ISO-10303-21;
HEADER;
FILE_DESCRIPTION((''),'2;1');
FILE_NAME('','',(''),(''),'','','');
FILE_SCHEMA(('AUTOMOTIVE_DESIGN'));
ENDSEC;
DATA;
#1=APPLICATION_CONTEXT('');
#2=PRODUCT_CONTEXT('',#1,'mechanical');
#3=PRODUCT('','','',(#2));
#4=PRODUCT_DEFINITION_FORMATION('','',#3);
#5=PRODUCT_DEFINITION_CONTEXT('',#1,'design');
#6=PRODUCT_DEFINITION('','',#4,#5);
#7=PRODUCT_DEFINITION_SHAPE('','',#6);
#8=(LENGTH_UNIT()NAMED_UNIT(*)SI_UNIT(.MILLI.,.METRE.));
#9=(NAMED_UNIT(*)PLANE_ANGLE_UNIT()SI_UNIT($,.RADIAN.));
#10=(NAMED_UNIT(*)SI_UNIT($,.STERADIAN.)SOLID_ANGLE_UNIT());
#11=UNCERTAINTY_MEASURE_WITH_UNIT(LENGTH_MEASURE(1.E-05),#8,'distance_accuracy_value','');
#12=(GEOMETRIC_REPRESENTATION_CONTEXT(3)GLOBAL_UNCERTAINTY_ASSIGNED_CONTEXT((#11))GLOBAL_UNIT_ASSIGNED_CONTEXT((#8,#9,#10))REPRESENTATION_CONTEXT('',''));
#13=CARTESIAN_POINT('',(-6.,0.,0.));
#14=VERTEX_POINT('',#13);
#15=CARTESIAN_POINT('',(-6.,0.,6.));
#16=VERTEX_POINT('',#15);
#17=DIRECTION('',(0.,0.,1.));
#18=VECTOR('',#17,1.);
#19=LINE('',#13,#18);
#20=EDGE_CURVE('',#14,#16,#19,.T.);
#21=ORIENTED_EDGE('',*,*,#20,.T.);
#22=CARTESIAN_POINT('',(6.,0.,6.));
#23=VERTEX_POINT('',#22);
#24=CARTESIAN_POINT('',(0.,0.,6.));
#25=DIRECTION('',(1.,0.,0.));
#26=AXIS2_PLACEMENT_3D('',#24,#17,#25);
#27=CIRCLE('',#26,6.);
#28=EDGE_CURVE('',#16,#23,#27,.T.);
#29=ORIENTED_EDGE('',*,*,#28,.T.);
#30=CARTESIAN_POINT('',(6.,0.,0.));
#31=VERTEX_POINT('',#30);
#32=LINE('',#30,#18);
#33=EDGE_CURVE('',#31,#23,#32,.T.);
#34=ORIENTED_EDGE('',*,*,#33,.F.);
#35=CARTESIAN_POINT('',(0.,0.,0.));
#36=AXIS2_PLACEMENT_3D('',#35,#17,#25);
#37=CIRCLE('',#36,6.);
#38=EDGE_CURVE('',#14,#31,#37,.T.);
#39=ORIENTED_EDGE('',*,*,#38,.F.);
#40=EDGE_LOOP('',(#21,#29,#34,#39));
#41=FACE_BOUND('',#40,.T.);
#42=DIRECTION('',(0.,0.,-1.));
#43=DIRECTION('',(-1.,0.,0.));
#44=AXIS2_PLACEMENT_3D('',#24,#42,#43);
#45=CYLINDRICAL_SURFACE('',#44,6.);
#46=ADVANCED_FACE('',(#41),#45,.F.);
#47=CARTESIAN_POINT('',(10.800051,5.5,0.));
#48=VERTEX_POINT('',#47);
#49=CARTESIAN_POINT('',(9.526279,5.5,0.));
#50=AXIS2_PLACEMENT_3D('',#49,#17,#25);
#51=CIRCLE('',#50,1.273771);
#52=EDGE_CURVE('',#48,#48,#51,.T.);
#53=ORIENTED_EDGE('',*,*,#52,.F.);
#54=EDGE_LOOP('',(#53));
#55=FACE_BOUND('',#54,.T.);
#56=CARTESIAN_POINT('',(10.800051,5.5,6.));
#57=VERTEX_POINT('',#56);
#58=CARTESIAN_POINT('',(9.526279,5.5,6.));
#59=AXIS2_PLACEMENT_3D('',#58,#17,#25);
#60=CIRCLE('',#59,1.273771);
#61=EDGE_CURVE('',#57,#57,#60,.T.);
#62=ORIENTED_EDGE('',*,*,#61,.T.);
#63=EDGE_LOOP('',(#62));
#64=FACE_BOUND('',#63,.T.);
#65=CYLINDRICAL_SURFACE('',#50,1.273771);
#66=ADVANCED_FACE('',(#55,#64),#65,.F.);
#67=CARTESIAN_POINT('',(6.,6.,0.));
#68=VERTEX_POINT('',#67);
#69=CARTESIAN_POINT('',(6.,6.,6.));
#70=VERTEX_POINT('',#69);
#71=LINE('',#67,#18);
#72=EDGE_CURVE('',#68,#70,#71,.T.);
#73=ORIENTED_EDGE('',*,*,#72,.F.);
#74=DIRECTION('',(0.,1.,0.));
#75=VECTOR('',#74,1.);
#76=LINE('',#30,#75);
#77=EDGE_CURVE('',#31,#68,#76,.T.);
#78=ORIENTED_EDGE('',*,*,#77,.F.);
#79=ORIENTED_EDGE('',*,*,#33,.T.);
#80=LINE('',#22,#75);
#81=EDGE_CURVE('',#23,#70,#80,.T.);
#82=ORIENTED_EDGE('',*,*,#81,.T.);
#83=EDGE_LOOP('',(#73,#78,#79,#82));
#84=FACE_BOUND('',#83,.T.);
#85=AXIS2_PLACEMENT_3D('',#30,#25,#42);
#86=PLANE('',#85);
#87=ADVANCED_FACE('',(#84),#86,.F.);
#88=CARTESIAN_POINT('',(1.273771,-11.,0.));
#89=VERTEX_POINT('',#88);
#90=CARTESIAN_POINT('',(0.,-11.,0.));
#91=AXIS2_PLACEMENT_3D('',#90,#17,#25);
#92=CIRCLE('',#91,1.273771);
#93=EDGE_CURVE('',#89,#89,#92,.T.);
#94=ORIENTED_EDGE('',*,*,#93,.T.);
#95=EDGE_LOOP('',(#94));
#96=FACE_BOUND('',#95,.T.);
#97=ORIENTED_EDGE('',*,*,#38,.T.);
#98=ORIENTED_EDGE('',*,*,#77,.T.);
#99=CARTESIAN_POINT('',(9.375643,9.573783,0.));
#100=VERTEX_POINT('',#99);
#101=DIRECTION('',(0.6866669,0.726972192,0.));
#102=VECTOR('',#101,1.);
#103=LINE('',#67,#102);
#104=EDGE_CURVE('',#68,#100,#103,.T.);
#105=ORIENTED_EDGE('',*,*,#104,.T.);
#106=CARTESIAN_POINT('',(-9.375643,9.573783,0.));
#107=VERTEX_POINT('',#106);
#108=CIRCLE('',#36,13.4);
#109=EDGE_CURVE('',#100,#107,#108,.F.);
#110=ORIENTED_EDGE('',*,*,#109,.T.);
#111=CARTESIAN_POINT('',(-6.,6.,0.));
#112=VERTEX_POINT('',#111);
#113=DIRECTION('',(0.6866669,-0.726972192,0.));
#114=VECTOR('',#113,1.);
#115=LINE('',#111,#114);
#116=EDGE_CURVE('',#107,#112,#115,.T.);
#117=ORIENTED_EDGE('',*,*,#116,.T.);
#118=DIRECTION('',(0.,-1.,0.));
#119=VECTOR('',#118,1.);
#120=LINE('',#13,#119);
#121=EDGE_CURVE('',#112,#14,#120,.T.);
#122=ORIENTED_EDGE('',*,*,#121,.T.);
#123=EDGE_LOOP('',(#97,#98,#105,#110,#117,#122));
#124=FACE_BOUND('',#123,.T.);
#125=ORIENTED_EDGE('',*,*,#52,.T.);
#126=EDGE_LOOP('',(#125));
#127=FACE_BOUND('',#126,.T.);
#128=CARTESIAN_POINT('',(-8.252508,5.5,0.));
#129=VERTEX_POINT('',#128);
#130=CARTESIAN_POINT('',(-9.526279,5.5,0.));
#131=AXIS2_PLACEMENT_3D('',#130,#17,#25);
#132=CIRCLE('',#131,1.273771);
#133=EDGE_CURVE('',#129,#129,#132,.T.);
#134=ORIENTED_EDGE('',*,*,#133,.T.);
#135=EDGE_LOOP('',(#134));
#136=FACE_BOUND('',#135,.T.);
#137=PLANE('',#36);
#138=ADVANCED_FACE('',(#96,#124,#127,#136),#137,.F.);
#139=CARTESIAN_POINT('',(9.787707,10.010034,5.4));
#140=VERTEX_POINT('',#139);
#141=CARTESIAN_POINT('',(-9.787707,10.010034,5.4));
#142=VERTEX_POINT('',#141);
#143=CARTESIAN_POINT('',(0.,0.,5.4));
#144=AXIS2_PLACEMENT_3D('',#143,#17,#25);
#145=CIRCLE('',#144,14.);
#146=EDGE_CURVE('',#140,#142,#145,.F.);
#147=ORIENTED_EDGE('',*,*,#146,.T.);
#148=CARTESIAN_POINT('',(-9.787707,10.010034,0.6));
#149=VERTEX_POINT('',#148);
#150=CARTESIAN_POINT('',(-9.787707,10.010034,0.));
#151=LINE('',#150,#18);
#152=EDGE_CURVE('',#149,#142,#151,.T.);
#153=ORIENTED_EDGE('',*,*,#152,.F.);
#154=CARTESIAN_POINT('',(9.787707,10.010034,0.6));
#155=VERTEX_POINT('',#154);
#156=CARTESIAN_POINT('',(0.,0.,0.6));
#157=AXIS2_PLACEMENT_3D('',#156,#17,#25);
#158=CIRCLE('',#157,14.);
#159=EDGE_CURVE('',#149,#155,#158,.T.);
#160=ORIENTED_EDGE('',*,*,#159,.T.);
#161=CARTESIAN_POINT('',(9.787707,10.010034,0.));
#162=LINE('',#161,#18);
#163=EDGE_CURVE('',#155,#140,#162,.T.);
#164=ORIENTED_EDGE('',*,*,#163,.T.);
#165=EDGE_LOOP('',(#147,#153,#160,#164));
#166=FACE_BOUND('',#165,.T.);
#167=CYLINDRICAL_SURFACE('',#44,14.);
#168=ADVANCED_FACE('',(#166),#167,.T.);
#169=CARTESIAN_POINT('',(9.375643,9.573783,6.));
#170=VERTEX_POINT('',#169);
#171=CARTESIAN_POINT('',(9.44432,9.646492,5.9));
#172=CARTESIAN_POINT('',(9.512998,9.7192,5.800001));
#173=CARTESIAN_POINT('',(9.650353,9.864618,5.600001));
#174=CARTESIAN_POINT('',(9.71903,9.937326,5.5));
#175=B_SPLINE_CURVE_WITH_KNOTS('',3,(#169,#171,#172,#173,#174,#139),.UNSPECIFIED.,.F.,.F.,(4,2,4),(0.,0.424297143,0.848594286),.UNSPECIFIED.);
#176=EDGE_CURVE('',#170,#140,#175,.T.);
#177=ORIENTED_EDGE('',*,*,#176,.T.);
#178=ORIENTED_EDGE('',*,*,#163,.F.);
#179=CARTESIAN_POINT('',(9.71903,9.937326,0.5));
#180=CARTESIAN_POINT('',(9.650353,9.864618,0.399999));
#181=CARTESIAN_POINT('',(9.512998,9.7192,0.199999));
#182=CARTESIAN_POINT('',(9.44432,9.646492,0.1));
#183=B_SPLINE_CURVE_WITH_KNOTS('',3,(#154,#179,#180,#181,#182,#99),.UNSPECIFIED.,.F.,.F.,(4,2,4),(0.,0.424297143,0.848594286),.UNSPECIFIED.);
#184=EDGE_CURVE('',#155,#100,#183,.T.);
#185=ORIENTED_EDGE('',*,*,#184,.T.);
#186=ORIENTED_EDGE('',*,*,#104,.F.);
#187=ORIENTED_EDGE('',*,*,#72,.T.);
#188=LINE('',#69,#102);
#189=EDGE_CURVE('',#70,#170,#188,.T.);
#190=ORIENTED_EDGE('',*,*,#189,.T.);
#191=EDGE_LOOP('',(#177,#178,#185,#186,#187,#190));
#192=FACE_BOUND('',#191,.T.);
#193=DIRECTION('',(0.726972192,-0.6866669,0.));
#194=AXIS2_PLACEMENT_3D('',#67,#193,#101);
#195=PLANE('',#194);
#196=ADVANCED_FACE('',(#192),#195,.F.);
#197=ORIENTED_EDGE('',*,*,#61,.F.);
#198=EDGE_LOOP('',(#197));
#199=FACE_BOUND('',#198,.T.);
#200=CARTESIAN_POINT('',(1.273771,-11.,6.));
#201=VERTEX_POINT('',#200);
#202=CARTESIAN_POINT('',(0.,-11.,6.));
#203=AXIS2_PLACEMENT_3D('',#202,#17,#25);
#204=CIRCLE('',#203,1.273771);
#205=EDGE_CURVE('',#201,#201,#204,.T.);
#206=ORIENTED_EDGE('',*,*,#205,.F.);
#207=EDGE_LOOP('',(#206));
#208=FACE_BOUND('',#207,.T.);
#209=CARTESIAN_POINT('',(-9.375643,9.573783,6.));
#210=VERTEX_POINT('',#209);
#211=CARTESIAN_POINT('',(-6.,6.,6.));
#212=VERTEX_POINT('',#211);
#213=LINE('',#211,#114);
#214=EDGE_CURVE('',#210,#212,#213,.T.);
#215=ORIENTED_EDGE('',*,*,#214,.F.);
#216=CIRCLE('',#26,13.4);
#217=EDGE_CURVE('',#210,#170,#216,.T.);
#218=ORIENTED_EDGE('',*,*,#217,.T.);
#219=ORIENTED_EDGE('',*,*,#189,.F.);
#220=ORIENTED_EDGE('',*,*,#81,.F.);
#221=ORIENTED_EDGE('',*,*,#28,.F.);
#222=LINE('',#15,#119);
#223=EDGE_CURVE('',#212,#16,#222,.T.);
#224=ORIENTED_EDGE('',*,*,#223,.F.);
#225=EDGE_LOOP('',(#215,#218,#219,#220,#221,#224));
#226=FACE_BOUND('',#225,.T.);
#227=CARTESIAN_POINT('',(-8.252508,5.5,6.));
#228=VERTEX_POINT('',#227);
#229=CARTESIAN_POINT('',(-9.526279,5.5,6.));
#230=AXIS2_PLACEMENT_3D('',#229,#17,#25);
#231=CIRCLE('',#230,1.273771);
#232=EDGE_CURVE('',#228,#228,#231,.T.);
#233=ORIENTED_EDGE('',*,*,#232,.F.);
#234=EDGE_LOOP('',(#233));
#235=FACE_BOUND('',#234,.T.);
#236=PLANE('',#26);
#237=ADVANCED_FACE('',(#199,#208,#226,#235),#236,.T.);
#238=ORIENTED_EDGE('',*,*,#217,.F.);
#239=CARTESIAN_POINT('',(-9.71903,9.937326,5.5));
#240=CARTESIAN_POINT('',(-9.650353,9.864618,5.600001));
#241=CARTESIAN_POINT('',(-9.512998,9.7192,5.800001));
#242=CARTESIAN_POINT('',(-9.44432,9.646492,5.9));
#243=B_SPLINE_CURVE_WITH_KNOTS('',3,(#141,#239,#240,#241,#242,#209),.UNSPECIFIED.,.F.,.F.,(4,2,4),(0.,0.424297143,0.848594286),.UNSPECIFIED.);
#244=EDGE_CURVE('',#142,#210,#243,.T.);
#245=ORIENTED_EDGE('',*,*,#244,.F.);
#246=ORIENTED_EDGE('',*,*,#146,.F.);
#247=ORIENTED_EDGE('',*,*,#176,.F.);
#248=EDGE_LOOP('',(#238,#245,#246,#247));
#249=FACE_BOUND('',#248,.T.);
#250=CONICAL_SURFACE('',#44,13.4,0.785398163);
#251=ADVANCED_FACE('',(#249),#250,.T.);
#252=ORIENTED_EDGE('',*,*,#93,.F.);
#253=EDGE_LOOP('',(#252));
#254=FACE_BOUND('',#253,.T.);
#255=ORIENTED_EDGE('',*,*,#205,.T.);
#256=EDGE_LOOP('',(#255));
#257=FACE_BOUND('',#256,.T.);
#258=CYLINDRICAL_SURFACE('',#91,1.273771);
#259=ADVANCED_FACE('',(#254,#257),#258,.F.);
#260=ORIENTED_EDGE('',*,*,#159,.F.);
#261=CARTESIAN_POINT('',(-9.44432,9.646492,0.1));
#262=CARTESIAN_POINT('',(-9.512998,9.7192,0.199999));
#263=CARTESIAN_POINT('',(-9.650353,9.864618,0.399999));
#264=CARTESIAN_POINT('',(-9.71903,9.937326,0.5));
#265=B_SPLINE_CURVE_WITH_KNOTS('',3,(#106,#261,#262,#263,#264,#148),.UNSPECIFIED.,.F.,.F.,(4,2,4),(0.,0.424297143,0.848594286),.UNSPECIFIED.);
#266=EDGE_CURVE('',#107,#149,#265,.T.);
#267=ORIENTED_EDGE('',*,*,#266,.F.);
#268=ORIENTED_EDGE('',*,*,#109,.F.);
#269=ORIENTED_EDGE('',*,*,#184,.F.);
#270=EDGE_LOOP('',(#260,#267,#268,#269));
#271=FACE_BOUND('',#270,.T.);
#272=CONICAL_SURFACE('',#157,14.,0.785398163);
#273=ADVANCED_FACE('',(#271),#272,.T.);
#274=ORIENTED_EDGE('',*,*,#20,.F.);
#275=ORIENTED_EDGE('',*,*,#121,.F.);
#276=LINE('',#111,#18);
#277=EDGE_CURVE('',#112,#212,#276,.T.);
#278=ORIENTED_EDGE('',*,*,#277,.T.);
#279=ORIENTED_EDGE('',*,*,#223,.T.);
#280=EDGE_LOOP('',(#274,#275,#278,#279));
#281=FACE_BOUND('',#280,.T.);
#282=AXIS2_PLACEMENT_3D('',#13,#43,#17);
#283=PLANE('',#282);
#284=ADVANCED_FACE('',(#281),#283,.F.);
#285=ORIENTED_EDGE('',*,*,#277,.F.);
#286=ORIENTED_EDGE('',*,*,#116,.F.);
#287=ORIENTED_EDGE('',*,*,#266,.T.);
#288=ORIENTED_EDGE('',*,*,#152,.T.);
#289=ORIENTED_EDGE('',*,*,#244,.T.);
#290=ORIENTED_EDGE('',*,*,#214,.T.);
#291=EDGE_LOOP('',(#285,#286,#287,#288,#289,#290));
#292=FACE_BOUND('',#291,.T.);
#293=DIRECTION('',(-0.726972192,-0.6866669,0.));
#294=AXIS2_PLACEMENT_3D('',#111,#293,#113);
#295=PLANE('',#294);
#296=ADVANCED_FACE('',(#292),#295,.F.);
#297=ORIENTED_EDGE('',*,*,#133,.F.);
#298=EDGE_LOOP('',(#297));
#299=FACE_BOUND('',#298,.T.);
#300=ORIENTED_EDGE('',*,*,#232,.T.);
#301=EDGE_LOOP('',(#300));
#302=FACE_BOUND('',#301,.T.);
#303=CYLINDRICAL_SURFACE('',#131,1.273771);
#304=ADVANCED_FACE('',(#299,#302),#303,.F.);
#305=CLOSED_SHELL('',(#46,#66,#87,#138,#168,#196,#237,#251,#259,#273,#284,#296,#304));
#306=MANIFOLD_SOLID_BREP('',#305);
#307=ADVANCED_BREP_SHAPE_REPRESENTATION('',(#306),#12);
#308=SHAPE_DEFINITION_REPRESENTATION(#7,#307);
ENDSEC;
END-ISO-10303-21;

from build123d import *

# Parameters (mm, degrees)
SKETCH_1_R          = 14
SKETCH_1_R_2        = 6
EXTRUDE_1_DEPTH     = 6
SKETCH_2_R          = 1.273771183
CUT_EXTRUDE_1_DEPTH = 21.688160866
CUT_EXTRUDE_2_DEPTH = 21.688160866
CHAMFER_1_SIZE      = 0.6


with BuildPart() as part:
    # 草圖1 → 填料-伸長1 (new body)
    with BuildSketch(Plane.XY):
        Circle(SKETCH_1_R)
        Circle(SKETCH_1_R_2, mode=Mode.SUBTRACT)
    extrude(amount=EXTRUDE_1_DEPTH)

    # 草圖2 → 除料-伸長1 (cut, through all)
    with BuildSketch(Plane.XY.offset(6)):
        with Locations((0, -11)):
            Circle(SKETCH_2_R)
        with Locations((-9.526279442, 5.5)):
            Circle(SKETCH_2_R)
        with Locations((9.526279442, 5.5)):
            Circle(SKETCH_2_R)
    extrude(amount=-CUT_EXTRUDE_1_DEPTH, mode=Mode.SUBTRACT)

    # 草圖3 → 除料-伸長2 (cut, through all)
    with BuildSketch(Plane.XY.offset(6)):
        with BuildLine():
            Line((6, 0), (6, 6))
            Line((6, 6), (9.787707238, 10.010034317))
            ThreePointArc((9.787707238, 10.010034317), (0, 14), (-9.787707238, 10.010034317))
            Line((-9.787707238, 10.010034317), (-6, 6))
            Line((-6, 6), (-6, 0))
            Line((-6, 0), (6, 0))
        make_face()
    extrude(amount=-CUT_EXTRUDE_2_DEPTH, mode=Mode.SUBTRACT)

    # 導角1
    chamfer_1_edges = [part.edges().sort_by_distance(p)[0] for p in [
        (0, -14, 6),
        (0, -14, 0),
    ]]
    chamfer(chamfer_1_edges, length=CHAMFER_1_SIZE)


solid = part.part
